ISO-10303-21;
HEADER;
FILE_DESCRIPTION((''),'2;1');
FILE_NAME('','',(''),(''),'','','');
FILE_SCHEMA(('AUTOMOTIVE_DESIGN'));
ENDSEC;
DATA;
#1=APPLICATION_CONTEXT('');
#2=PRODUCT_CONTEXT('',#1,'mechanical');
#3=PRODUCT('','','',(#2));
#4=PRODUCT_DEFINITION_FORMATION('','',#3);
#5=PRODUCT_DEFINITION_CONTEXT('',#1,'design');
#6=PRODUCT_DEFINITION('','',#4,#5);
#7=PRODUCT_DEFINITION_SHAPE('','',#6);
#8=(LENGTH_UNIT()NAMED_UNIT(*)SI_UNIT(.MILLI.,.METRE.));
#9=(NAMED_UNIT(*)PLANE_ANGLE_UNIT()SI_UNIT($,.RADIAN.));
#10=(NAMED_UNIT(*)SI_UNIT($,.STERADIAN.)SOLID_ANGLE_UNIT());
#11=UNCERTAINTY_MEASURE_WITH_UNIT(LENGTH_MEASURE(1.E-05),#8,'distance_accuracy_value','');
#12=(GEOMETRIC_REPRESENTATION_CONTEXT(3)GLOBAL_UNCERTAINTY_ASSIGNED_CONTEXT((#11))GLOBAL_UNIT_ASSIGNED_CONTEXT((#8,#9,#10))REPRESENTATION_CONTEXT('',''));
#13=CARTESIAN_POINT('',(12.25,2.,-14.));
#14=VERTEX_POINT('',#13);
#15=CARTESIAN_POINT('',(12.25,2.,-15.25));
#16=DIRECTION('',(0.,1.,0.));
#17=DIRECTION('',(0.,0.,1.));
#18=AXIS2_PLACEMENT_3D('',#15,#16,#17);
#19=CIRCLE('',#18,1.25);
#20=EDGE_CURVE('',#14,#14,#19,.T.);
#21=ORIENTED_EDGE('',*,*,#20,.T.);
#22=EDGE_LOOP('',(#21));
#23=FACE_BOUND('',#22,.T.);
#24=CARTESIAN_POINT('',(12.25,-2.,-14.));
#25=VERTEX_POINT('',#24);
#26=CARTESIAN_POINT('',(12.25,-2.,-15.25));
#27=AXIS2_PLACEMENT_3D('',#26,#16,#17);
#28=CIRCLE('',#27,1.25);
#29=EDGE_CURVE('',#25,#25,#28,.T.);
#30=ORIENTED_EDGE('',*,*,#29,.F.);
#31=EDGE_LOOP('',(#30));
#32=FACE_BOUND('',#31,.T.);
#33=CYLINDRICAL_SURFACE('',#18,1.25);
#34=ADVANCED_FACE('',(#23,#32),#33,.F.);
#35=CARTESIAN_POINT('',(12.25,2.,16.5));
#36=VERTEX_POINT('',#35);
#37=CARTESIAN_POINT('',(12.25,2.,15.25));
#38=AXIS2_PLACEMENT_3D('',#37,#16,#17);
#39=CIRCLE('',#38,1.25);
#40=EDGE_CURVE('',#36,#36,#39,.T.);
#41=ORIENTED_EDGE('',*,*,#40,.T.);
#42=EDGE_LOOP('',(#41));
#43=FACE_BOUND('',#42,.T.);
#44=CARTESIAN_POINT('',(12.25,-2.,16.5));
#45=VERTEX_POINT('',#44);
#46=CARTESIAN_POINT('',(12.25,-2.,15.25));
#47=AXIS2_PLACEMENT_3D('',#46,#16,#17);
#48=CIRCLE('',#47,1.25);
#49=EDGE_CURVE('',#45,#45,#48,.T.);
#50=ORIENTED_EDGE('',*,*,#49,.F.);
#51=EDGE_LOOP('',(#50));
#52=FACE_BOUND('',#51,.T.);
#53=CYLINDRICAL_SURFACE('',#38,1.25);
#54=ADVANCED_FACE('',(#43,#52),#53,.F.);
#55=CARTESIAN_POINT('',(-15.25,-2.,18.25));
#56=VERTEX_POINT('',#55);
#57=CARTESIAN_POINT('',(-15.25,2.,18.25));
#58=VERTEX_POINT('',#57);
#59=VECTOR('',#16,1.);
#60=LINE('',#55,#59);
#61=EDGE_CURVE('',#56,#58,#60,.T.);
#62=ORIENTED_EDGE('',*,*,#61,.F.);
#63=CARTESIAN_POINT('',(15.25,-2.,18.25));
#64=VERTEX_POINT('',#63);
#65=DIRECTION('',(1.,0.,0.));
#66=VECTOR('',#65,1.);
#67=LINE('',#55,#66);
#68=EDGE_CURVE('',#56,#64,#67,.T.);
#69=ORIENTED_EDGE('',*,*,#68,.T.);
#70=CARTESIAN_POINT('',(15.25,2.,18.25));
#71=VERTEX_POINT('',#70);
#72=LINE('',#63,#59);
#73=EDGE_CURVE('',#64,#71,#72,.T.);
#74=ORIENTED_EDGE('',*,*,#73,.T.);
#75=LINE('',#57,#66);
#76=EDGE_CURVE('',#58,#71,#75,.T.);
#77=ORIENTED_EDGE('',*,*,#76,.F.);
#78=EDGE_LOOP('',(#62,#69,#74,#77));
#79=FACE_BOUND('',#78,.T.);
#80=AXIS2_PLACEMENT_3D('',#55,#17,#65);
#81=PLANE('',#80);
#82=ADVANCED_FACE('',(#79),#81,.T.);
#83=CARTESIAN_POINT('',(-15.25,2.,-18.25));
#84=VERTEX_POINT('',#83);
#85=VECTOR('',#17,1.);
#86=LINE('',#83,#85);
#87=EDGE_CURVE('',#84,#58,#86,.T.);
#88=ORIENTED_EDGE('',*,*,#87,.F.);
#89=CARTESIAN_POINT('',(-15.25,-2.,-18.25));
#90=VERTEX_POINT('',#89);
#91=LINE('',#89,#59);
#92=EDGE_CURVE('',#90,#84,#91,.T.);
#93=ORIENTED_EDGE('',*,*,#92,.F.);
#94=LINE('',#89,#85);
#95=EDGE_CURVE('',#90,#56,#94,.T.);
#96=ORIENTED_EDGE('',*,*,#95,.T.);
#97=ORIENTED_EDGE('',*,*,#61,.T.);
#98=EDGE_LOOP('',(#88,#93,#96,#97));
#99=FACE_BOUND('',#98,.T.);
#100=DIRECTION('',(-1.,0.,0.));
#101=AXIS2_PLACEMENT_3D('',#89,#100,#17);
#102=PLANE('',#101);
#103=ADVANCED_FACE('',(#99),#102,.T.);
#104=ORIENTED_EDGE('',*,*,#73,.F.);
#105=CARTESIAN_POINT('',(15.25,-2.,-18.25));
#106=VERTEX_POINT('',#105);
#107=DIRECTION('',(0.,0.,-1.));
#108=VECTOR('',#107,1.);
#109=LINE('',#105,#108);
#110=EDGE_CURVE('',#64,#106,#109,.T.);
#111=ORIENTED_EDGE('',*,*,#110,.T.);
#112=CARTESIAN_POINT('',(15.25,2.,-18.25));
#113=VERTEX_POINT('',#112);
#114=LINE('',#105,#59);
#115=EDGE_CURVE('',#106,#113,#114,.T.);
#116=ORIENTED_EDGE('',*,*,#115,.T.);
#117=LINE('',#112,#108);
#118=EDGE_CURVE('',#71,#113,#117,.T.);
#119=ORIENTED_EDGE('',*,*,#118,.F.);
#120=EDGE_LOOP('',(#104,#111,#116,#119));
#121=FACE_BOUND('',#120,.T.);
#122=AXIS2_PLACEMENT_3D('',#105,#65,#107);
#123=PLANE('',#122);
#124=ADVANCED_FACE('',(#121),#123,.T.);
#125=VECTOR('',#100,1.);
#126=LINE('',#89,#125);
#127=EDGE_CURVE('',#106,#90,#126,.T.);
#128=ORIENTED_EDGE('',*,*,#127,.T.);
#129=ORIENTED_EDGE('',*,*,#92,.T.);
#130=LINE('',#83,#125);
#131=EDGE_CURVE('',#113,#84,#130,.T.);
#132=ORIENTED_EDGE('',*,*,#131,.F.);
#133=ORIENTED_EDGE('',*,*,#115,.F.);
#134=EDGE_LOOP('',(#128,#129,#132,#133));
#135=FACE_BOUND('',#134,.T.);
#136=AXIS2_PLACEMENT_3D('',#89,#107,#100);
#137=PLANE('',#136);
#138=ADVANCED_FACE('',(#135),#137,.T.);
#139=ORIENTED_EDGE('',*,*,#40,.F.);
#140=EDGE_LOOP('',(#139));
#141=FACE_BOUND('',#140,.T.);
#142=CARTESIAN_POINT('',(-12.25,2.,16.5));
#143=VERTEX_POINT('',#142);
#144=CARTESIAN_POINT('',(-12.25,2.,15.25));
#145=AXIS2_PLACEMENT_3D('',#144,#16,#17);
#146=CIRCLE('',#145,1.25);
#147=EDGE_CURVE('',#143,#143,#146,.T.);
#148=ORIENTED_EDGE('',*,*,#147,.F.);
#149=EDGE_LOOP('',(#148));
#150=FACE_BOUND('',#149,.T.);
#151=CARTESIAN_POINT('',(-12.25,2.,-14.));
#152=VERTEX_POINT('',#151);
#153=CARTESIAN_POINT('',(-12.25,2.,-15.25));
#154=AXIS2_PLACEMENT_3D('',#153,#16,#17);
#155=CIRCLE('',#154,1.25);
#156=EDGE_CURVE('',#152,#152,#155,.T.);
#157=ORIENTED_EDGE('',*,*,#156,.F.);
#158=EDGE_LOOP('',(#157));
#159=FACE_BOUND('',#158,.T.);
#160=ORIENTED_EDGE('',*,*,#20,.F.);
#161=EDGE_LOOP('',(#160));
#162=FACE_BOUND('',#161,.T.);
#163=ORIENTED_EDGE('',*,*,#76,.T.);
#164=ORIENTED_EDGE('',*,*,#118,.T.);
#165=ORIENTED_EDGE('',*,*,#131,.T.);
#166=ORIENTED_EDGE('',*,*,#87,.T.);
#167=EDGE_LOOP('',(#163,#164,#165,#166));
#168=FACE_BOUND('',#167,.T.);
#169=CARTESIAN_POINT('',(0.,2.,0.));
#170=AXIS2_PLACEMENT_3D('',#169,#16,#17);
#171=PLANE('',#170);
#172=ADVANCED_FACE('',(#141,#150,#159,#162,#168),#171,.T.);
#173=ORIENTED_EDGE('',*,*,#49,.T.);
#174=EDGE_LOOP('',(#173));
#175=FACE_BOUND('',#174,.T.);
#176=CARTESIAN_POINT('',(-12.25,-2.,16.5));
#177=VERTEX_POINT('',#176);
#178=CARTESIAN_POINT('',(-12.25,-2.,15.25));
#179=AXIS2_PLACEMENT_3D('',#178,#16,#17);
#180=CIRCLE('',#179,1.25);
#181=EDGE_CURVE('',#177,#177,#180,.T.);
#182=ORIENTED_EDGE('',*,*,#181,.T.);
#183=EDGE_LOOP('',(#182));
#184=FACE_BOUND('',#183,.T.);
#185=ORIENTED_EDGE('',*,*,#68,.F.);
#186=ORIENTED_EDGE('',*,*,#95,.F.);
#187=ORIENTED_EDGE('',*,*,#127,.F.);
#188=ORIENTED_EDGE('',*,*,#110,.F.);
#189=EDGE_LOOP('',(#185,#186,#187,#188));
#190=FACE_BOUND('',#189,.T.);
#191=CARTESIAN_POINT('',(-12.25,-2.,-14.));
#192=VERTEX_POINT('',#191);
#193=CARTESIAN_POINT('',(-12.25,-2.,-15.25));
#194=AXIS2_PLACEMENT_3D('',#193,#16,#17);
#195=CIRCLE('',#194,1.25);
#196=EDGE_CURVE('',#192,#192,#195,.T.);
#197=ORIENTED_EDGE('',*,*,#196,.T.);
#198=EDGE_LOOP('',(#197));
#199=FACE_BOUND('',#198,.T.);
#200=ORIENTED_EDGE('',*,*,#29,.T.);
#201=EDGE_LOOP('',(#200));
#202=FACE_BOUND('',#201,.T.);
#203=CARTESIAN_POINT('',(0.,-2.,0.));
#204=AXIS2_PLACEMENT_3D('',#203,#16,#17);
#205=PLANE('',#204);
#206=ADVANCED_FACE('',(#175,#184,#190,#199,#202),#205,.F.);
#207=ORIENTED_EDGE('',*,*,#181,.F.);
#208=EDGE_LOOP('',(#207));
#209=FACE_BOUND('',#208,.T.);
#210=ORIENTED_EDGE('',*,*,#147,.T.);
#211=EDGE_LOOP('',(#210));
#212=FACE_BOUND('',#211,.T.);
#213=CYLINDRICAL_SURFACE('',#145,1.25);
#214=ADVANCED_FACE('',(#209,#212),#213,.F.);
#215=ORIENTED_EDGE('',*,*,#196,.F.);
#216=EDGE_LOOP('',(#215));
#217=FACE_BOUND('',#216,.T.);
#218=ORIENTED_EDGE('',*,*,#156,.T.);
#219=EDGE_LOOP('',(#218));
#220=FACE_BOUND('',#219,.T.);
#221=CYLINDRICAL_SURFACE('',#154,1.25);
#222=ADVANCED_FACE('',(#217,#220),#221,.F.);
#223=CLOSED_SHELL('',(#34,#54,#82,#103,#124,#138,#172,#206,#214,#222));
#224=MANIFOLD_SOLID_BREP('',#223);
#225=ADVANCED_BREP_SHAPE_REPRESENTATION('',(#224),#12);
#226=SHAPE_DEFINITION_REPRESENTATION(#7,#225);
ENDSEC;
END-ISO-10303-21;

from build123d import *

# Parameters (mm, degrees)
SKETCH1_W             = 24.5
SKETCH1_H             = 24.5
BOSS_EXTRUDE1_DEPTH   = 2
SKETCH2_W             = 30.5
SKETCH2_H             = 36.5
SKETCH2_W_2           = 24.5
SKETCH2_H_2           = 24.5
BOSS_EXTRUDE2_DEPTH   = 4
M3X0_5_TAPPED_HOLE1_D = 2.5


with BuildPart() as part:
    # Sketch1 → Boss-Extrude1 (new body, symmetric)
    with BuildSketch(Plane(origin=(0, 0, 0), x_dir=(1, 0, 0), z_dir=(0, 1, 0))):
        Rectangle(SKETCH1_W, SKETCH1_H)
    extrude(amount=BOSS_EXTRUDE1_DEPTH, both=True)

    # Sketch2 → Boss-Extrude2 (add)
    with BuildSketch(Plane(origin=(0, 2, 0), x_dir=(1, 0, 0), z_dir=(0, 1, 0))):
        Rectangle(SKETCH2_W, SKETCH2_H)
        Rectangle(SKETCH2_W_2, SKETCH2_H_2, mode=Mode.SUBTRACT)
    extrude(amount=-BOSS_EXTRUDE2_DEPTH)

    # M3x0.5 Tapped Hole1 (through all)
    with Locations(Plane(origin=(0, 2, 0), x_dir=(1, 0, 0), z_dir=(0, 1, 0))):
        with Locations((-12.25, 15.25), (12.25, 15.25), (-12.25, -15.25), (12.25, -15.25)):
            Hole(M3X0_5_TAPPED_HOLE1_D / 2)


solid = part.part
